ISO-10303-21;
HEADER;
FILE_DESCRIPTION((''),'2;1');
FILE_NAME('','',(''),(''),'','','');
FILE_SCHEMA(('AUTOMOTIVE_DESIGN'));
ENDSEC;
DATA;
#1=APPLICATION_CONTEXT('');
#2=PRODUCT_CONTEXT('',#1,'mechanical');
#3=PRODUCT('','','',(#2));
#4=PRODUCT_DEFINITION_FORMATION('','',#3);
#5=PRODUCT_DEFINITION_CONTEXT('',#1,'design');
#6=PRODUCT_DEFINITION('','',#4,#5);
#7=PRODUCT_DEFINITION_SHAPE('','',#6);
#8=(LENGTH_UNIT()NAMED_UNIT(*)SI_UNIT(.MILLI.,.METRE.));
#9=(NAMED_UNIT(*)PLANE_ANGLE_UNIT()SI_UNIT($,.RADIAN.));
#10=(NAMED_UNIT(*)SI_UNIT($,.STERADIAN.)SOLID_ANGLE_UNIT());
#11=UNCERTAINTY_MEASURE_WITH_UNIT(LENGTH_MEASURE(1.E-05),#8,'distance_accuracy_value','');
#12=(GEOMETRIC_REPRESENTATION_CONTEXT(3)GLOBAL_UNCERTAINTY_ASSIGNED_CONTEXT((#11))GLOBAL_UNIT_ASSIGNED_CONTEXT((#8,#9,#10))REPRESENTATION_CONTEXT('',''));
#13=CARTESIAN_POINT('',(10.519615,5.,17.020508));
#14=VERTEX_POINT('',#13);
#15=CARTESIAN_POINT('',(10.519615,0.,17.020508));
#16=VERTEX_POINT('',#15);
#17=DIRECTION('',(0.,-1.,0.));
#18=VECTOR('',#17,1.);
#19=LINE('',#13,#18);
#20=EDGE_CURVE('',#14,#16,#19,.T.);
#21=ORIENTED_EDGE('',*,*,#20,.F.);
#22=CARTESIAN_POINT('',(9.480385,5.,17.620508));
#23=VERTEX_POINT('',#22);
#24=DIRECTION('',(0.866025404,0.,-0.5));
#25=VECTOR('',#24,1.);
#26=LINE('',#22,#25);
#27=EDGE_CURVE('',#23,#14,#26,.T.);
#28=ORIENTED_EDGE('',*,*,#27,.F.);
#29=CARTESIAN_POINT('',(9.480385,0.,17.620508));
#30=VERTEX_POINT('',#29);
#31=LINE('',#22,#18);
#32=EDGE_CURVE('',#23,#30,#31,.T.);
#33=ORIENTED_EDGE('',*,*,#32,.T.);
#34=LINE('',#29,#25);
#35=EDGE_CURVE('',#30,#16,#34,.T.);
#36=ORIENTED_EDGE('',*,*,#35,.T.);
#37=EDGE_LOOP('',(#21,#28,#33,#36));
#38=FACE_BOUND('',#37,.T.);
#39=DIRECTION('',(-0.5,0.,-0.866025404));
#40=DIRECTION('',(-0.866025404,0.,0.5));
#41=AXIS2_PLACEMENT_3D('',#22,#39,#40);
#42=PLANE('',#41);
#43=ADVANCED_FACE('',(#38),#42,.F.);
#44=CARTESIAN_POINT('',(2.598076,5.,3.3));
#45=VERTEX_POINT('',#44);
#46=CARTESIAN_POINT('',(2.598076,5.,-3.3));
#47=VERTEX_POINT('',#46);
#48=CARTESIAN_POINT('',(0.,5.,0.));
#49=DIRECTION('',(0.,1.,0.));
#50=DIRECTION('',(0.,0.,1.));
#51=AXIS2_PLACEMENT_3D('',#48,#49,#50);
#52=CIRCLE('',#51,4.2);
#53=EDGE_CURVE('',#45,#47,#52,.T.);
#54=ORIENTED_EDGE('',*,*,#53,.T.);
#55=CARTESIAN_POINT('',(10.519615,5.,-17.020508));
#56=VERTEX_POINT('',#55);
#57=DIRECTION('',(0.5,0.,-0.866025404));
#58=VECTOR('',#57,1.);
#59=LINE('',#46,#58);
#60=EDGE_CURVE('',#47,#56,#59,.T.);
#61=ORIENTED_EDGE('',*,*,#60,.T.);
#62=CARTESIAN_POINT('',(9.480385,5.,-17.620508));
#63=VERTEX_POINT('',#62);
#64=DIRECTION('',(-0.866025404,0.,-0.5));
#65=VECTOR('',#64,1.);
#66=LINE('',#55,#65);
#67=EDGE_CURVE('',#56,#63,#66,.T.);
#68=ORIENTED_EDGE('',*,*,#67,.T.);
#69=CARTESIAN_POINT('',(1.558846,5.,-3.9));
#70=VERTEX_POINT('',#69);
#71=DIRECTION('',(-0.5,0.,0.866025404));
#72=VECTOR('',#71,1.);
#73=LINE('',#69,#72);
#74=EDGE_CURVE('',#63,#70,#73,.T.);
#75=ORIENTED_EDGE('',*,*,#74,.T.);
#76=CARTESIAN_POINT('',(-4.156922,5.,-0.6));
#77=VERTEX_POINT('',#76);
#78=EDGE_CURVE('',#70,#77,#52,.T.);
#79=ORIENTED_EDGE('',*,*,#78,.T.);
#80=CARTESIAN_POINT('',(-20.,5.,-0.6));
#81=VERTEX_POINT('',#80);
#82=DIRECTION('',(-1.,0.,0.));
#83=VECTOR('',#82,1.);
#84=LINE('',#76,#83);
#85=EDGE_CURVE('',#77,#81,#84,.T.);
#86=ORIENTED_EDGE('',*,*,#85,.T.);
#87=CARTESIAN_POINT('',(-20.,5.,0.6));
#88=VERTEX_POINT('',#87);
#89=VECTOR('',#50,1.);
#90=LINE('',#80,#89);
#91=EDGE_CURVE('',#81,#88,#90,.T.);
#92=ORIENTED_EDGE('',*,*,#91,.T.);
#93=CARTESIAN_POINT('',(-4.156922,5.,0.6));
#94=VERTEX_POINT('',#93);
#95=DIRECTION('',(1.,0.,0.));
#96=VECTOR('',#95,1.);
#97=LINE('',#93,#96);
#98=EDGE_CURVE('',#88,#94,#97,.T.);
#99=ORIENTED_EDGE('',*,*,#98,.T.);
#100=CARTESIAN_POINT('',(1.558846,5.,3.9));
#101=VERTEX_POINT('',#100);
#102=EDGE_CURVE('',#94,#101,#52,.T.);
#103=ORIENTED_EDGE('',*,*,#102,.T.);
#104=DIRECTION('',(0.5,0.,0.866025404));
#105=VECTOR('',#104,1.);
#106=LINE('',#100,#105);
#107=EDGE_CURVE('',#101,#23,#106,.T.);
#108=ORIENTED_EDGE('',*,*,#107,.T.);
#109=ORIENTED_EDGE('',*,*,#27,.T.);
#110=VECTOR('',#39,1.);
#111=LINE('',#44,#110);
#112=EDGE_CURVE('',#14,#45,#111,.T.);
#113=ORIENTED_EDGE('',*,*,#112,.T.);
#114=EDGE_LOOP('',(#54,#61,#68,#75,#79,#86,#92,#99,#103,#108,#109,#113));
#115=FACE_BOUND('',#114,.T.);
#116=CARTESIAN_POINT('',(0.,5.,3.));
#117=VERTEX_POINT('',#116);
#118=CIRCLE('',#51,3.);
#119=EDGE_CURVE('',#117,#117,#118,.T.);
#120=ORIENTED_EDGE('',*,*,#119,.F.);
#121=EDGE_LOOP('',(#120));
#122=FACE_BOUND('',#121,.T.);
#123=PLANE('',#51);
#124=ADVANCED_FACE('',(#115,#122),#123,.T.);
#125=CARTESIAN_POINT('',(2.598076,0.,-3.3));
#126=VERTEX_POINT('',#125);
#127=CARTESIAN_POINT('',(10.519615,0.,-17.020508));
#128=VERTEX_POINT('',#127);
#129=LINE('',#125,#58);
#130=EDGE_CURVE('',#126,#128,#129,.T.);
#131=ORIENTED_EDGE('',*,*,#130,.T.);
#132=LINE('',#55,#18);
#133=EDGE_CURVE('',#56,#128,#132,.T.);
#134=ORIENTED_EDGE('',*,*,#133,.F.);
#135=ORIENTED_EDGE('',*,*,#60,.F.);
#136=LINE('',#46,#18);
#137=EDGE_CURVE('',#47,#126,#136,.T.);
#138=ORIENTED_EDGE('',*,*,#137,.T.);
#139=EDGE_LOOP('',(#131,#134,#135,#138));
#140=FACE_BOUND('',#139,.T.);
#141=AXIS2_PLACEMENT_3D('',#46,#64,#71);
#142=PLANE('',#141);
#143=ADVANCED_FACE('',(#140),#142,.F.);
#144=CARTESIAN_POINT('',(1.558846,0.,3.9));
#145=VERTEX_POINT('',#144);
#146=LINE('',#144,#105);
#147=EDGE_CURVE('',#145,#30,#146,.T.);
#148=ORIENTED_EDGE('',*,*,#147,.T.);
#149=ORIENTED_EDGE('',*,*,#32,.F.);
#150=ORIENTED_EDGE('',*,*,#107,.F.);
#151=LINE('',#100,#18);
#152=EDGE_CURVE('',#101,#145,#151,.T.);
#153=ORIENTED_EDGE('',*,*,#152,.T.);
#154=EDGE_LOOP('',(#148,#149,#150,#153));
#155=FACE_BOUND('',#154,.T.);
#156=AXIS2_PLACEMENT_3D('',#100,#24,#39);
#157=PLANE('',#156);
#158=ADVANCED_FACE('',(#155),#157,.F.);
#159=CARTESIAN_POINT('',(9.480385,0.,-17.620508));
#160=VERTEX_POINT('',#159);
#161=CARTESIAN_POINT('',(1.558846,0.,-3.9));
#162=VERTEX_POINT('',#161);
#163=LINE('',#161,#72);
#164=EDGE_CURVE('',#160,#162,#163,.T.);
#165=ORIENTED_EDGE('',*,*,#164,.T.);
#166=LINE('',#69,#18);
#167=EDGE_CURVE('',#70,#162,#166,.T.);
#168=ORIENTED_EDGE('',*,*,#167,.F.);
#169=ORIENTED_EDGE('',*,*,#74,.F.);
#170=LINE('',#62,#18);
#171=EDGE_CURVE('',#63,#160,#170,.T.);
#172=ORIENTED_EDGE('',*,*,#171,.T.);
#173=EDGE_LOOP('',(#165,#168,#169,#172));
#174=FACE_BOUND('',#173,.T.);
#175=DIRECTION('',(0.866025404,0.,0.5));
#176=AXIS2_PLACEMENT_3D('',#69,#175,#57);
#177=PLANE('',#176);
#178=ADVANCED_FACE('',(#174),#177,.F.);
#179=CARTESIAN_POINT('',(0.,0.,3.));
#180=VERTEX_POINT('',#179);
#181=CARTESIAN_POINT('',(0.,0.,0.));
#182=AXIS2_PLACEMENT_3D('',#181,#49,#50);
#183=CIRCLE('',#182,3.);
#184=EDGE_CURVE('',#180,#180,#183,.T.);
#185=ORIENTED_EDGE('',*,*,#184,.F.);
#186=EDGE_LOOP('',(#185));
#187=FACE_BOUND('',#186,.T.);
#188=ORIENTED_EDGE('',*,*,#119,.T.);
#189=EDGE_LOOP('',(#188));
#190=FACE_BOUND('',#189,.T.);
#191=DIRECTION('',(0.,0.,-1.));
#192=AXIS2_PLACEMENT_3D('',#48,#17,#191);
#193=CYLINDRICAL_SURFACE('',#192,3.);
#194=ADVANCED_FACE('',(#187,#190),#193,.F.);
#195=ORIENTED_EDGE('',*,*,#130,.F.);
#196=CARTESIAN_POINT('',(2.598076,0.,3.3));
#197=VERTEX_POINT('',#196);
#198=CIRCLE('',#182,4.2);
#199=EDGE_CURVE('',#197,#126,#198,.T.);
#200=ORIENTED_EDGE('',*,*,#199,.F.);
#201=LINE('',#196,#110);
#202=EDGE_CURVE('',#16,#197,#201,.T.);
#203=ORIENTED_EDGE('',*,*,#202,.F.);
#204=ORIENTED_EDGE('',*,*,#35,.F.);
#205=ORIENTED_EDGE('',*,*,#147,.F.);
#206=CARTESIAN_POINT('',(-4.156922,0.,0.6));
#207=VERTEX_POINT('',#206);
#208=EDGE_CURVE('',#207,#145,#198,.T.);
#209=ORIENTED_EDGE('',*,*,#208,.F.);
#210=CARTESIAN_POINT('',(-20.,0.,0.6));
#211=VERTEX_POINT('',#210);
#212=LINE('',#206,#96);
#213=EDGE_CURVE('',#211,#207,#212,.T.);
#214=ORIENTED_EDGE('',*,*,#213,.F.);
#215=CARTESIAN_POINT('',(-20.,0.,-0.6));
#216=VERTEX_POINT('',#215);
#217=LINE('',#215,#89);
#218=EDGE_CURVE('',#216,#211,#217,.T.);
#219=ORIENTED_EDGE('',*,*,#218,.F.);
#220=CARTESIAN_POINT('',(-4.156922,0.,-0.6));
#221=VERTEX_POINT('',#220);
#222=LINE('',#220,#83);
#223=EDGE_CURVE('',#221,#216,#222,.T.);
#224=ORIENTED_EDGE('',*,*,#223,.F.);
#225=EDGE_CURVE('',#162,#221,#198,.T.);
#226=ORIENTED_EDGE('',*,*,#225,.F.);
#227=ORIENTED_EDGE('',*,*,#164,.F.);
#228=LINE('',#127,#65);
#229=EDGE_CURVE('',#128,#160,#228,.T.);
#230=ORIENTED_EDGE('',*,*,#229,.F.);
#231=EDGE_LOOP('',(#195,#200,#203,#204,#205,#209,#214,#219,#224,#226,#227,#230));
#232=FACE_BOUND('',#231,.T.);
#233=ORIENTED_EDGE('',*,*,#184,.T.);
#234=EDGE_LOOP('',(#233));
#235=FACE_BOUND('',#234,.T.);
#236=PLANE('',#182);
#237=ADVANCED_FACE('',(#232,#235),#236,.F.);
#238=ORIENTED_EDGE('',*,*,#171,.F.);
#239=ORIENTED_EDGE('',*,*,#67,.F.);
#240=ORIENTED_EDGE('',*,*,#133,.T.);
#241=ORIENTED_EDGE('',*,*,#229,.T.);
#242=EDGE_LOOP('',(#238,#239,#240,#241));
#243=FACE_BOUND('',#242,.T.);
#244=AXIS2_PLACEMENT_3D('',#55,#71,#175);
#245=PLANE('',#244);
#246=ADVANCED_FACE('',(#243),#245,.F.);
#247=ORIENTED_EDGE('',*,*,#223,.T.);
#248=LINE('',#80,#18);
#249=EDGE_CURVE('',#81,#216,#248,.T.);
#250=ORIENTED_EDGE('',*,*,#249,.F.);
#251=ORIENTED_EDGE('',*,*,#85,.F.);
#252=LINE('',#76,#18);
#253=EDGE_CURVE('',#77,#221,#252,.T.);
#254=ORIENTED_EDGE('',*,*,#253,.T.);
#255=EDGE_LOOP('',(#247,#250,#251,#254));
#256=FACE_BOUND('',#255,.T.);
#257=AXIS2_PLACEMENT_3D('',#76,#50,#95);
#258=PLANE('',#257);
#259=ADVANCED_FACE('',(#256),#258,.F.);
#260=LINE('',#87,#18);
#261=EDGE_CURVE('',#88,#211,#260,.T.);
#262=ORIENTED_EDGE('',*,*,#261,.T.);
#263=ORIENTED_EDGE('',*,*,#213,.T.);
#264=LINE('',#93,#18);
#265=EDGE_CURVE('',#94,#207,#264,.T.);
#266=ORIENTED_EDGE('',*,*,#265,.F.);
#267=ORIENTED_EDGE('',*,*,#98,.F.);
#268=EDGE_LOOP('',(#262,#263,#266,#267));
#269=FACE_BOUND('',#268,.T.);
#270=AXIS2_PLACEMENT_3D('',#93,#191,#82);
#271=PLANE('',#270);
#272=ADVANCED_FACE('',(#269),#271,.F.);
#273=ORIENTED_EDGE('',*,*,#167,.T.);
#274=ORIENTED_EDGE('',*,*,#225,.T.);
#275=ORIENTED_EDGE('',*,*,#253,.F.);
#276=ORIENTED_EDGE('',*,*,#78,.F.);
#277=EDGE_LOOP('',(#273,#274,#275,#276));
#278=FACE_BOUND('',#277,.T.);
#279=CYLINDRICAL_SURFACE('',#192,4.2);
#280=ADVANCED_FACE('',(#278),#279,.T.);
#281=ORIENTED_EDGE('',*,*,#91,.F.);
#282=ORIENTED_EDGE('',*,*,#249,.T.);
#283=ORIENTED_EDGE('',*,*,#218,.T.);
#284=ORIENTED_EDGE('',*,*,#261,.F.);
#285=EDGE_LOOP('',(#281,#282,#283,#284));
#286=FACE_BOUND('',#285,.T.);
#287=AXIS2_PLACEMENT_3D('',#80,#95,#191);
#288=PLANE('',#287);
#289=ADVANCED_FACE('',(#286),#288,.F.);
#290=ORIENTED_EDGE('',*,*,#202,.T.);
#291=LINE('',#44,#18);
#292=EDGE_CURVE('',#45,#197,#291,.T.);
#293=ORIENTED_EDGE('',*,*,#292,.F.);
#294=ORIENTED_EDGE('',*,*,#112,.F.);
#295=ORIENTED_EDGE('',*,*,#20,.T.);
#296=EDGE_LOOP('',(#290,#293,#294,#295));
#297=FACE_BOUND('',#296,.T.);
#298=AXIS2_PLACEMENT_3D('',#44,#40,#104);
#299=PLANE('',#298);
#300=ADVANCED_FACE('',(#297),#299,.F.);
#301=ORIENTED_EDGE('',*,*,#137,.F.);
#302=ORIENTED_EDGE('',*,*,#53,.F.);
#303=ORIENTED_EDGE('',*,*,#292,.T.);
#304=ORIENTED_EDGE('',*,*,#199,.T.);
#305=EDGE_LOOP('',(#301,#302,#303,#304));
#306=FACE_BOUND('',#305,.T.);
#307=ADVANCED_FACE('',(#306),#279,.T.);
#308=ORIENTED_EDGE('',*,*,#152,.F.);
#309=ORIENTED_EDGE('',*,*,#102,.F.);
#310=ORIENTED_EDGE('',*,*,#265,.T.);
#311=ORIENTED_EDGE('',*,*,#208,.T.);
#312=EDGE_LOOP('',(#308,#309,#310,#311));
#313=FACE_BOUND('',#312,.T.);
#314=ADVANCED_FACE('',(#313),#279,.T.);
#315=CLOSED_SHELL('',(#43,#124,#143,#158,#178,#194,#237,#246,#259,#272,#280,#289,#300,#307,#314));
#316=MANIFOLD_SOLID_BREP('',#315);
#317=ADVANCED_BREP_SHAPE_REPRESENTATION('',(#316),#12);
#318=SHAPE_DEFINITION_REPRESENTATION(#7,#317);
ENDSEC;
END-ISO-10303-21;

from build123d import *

# Parameters (mm, degrees)
SKETCH1_R           = 3
BOSS_EXTRUDE2_DEPTH = 5


with BuildPart() as part:
    # Sketch1 → Boss-Extrude2 (new body)
    with BuildSketch(Plane(origin=(0, 0, 0), x_dir=(1, 0, 0), z_dir=(0, 1, 0))):
        with BuildLine():
            Line((-4.156921938, -0.6), (-20, -0.6))
            Line((-20, -0.6), (-20, 0.6))
            Line((-20, 0.6), (-4.156921938, 0.6))
            ThreePointArc((-4.156921938, 0.6), (-2.1, 3.637306696), (1.558845727, 3.9))
            Line((1.558845727, 3.9), (9.480384758, 17.620508076))
            Line((9.480384758, 17.620508076), (10.519615242, 17.020508076))
            Line((10.519615242, 17.020508076), (2.598076211, 3.3))
            ThreePointArc((2.598076211, 3.3), (4.2, 0), (2.598076211, -3.3))
            Line((2.598076211, -3.3), (10.519615242, -17.020508076))
            Line((10.519615242, -17.020508076), (9.480384758, -17.620508076))
            Line((9.480384758, -17.620508076), (1.558845727, -3.9))
            ThreePointArc((1.558845727, -3.9), (-2.1, -3.637306696), (-4.156921938, -0.6))
        make_face()
        with Locations(Location((0, 0, 0), (0, 0, 270))):
            Circle(SKETCH1_R, mode=Mode.SUBTRACT)
    extrude(amount=BOSS_EXTRUDE2_DEPTH)


solid = part.part
